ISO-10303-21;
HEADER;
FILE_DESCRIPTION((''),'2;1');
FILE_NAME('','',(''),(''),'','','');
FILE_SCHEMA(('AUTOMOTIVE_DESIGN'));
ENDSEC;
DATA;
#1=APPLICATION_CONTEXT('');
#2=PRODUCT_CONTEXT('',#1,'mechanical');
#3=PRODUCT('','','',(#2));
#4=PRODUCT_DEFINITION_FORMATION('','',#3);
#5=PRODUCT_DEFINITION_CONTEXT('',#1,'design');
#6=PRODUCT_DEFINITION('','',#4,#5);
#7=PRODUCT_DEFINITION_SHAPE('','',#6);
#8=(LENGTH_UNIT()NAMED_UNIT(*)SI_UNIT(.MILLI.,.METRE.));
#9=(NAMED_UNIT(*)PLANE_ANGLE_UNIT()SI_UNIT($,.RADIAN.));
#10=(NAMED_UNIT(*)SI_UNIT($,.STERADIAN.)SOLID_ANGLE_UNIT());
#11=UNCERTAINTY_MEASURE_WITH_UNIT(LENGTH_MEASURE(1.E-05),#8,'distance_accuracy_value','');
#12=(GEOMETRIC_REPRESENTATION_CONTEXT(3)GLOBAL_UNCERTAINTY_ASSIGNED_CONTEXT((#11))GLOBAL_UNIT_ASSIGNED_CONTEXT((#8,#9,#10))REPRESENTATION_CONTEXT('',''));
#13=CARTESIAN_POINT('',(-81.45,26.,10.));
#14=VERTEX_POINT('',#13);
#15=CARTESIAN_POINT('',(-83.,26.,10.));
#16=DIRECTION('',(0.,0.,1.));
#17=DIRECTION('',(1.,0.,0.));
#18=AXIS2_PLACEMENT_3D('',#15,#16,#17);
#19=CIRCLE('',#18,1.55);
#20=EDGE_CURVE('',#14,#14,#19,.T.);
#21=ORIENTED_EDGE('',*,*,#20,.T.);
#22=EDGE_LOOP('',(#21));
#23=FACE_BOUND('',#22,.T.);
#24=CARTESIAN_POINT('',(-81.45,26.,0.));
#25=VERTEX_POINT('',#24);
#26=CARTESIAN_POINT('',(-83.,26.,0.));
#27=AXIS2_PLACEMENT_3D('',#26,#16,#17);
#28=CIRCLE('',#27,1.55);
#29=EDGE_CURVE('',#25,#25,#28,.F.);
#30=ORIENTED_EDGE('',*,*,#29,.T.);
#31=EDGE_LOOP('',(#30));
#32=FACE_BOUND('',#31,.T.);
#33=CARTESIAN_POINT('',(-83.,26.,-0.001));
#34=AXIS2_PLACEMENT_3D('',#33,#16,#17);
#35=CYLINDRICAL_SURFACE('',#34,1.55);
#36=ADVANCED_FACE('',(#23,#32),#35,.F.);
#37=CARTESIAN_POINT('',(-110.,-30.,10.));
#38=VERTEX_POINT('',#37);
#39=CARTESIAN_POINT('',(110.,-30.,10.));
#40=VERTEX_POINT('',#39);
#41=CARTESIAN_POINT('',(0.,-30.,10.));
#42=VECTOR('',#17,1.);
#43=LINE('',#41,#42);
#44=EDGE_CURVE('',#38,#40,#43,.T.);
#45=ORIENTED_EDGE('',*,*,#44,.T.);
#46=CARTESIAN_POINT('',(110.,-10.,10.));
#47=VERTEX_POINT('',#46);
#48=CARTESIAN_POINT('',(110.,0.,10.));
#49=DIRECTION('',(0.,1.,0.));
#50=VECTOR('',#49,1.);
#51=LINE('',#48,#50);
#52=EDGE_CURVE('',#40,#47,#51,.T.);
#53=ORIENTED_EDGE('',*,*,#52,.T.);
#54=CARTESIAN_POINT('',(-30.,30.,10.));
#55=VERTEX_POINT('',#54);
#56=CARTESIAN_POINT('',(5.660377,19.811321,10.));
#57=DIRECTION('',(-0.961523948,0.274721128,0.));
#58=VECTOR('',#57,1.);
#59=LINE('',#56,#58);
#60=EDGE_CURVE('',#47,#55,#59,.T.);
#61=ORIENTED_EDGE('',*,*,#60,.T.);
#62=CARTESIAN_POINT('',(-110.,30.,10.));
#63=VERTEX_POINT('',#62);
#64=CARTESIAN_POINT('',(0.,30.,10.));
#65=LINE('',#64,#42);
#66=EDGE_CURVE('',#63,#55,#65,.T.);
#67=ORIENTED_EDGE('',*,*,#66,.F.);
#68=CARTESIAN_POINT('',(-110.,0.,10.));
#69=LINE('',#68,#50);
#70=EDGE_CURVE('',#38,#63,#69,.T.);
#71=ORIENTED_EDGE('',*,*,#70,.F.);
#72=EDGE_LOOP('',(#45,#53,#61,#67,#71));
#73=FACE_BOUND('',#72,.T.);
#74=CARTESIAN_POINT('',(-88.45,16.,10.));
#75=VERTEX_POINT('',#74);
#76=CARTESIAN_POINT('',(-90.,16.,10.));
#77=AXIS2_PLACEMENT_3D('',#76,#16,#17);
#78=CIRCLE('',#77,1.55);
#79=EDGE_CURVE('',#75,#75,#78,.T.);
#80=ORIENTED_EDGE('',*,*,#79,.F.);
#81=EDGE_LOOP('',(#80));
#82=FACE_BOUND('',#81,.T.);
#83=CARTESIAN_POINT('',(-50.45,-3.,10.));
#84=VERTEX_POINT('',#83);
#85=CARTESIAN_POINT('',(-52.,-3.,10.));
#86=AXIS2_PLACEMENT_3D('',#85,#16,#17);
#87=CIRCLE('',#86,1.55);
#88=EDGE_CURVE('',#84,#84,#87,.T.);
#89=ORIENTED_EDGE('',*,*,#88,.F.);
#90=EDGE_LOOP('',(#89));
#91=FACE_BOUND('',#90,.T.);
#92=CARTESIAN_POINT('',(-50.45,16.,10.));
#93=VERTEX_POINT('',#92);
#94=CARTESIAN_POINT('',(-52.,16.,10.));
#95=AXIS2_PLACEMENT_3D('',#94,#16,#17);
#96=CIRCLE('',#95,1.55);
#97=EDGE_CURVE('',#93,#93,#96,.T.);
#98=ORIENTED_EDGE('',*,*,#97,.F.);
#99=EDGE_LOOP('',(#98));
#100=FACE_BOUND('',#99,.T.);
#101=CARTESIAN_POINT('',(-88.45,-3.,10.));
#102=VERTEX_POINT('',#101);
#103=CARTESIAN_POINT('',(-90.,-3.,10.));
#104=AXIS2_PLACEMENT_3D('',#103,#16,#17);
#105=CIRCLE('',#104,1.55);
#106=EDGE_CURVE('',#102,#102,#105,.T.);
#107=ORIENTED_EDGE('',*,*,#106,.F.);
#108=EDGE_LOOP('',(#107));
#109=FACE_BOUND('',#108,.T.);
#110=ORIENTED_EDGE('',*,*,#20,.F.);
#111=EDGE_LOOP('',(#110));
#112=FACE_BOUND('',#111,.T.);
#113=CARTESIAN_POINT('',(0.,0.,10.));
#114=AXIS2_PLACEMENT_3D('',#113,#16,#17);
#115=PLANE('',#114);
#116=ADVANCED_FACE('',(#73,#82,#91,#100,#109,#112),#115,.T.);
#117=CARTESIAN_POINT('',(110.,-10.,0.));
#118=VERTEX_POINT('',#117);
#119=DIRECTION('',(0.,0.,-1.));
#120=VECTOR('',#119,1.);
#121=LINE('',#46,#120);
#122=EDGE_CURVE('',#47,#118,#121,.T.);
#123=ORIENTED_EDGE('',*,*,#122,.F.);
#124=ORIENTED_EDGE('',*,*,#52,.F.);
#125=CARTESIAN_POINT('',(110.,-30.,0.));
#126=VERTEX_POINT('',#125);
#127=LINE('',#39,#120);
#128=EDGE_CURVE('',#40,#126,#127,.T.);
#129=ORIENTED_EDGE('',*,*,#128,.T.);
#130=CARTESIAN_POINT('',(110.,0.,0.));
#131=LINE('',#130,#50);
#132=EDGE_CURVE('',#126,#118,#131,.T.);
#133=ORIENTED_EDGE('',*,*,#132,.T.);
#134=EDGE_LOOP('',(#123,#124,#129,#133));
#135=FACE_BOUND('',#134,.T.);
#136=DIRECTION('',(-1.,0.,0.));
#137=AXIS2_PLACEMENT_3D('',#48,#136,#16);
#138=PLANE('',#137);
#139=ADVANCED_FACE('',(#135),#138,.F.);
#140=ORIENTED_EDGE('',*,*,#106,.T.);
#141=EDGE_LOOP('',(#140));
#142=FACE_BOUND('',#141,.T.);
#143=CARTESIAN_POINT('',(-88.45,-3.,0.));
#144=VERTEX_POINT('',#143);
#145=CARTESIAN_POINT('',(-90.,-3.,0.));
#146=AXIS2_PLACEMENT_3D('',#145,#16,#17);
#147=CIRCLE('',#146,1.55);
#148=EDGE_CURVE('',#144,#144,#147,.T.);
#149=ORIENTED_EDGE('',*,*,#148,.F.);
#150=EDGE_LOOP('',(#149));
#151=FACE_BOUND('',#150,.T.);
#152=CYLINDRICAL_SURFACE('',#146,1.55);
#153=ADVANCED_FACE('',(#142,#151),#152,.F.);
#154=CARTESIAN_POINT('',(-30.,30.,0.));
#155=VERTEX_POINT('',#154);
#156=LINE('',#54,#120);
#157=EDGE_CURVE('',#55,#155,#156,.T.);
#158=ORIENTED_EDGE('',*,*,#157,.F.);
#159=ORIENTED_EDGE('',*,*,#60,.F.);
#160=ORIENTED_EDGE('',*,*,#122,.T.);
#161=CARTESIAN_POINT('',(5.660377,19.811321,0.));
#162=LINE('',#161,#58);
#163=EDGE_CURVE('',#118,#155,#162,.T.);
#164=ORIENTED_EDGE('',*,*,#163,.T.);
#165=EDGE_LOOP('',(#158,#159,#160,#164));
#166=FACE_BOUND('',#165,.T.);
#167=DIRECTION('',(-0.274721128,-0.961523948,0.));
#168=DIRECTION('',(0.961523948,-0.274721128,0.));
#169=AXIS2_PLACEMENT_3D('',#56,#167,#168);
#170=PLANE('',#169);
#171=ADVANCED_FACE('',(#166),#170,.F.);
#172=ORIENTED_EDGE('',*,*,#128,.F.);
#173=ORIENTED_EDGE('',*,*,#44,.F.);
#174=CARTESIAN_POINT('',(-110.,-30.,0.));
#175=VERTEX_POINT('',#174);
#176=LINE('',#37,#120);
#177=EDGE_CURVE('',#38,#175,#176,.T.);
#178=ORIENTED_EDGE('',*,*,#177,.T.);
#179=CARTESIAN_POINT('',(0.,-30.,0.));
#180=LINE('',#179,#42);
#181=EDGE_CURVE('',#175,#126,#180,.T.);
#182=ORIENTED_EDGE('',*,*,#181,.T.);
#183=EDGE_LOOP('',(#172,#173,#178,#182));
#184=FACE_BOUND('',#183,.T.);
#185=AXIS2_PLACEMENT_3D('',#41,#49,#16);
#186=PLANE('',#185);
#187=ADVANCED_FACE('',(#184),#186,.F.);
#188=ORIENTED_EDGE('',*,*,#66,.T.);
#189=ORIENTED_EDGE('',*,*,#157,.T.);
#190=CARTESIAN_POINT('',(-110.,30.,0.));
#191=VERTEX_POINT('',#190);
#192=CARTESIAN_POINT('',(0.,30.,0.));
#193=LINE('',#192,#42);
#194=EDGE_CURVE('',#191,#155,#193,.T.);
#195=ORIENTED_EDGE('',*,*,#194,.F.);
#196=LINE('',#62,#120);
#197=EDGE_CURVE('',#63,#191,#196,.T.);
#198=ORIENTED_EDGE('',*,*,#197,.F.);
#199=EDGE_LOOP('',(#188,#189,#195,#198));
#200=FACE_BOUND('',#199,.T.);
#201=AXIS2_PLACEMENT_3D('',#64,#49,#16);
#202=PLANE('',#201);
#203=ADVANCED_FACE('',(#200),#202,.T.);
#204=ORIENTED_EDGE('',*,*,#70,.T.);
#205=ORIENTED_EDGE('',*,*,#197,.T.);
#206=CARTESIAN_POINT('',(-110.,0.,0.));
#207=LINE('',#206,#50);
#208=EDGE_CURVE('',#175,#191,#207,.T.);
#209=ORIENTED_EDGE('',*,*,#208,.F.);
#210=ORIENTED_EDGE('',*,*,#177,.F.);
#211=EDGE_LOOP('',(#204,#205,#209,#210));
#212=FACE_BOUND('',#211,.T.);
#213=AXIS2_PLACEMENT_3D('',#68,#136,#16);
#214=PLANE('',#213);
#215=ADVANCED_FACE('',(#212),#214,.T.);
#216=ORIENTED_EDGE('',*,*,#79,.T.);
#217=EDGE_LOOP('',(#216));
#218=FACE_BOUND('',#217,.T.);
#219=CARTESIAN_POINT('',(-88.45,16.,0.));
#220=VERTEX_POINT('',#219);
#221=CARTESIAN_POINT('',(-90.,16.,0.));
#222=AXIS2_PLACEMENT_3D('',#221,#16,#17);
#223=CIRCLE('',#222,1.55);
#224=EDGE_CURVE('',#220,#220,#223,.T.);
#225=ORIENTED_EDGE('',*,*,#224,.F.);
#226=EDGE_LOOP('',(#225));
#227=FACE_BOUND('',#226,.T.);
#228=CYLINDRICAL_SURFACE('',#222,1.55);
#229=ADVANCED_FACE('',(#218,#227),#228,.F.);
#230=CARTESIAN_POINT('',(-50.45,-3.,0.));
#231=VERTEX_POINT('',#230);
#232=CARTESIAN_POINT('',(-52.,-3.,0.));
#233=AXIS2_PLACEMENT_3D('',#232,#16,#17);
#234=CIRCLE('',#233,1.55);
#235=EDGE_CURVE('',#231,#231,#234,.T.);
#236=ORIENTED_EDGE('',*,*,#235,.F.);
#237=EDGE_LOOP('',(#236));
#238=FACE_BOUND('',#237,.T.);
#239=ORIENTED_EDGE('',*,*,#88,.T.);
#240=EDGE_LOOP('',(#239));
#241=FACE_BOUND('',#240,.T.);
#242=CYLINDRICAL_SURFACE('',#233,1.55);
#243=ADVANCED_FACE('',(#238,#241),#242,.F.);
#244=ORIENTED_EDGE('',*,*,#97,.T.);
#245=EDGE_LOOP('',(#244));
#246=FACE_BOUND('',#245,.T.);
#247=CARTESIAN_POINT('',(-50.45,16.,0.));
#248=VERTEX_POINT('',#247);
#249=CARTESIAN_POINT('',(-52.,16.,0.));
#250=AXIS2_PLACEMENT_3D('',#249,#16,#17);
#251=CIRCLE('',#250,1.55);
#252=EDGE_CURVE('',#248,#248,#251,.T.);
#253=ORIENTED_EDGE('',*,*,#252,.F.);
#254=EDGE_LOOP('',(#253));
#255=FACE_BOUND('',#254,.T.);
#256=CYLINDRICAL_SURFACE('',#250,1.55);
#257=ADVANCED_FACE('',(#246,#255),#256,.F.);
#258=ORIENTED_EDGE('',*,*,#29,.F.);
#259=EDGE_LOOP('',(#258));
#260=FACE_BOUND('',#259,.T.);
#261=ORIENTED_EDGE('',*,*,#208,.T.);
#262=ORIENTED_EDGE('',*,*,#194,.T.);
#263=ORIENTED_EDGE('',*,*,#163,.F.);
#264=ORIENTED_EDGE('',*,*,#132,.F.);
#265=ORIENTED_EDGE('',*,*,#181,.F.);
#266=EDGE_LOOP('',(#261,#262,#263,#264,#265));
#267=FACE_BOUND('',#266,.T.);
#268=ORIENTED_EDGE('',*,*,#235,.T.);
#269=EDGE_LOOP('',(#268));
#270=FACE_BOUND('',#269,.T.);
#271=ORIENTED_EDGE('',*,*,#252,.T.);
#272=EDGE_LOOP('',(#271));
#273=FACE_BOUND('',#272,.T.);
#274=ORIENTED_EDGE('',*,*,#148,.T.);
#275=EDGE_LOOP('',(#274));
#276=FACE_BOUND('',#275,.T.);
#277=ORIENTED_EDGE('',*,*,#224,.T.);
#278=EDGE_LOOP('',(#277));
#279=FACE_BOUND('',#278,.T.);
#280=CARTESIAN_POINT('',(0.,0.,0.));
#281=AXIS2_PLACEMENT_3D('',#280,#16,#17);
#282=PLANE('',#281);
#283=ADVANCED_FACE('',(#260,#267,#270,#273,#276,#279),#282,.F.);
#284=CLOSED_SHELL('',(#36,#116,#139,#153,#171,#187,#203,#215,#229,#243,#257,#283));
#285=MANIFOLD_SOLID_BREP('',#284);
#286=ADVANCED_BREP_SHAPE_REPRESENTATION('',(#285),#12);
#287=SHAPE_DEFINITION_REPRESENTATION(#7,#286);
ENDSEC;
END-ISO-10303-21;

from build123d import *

# Parameters (mm, degrees)
BOSS_EXTRUDE1_DEPTH = 10
SKETCH2_R           = 1.55
CUT_EXTRUDE1_DEPTH  = 115.455231423
CUT_EXTRUDE2_REACH  = 116.455
SKETCH3_R           = 1.55


with BuildPart() as part:
    # Sketch1 → Boss-Extrude1 (new body)
    with BuildSketch(Plane.XY):
        Polygon((110, -30), (110, -10), (-30, 30), (-110, 30), (-110, -30), align=None)
    extrude(amount=BOSS_EXTRUDE1_DEPTH)

    # Sketch2 → Cut-Extrude1 (cut, through all)
    with BuildSketch(Plane.XY.offset(10)):
        with Locations((-90, 16)):
            Circle(SKETCH2_R)
        with Locations((-52, 16)):
            Circle(SKETCH2_R)
        with Locations((-90, -3)):
            Circle(SKETCH2_R)
        with Locations((-52, -3)):
            Circle(SKETCH2_R)
    extrude(amount=-CUT_EXTRUDE1_DEPTH, mode=Mode.SUBTRACT)

    # Sketch3 → Cut-Extrude2 (cut, up to next)
    with BuildSketch(Plane.XY.offset(10), mode=Mode.PRIVATE) as cut_extrude2_sk1:
        with Locations((-83, 26)):
            Circle(SKETCH3_R)
    cut_extrude2_tool1 = extrude(cut_extrude2_sk1.sketch, amount=-CUT_EXTRUDE2_REACH, mode=Mode.PRIVATE) & part.part
    add(cut_extrude2_tool1.solids().sort_by_distance((-83, 26, 10))[0], mode=Mode.SUBTRACT)


solid = part.part
